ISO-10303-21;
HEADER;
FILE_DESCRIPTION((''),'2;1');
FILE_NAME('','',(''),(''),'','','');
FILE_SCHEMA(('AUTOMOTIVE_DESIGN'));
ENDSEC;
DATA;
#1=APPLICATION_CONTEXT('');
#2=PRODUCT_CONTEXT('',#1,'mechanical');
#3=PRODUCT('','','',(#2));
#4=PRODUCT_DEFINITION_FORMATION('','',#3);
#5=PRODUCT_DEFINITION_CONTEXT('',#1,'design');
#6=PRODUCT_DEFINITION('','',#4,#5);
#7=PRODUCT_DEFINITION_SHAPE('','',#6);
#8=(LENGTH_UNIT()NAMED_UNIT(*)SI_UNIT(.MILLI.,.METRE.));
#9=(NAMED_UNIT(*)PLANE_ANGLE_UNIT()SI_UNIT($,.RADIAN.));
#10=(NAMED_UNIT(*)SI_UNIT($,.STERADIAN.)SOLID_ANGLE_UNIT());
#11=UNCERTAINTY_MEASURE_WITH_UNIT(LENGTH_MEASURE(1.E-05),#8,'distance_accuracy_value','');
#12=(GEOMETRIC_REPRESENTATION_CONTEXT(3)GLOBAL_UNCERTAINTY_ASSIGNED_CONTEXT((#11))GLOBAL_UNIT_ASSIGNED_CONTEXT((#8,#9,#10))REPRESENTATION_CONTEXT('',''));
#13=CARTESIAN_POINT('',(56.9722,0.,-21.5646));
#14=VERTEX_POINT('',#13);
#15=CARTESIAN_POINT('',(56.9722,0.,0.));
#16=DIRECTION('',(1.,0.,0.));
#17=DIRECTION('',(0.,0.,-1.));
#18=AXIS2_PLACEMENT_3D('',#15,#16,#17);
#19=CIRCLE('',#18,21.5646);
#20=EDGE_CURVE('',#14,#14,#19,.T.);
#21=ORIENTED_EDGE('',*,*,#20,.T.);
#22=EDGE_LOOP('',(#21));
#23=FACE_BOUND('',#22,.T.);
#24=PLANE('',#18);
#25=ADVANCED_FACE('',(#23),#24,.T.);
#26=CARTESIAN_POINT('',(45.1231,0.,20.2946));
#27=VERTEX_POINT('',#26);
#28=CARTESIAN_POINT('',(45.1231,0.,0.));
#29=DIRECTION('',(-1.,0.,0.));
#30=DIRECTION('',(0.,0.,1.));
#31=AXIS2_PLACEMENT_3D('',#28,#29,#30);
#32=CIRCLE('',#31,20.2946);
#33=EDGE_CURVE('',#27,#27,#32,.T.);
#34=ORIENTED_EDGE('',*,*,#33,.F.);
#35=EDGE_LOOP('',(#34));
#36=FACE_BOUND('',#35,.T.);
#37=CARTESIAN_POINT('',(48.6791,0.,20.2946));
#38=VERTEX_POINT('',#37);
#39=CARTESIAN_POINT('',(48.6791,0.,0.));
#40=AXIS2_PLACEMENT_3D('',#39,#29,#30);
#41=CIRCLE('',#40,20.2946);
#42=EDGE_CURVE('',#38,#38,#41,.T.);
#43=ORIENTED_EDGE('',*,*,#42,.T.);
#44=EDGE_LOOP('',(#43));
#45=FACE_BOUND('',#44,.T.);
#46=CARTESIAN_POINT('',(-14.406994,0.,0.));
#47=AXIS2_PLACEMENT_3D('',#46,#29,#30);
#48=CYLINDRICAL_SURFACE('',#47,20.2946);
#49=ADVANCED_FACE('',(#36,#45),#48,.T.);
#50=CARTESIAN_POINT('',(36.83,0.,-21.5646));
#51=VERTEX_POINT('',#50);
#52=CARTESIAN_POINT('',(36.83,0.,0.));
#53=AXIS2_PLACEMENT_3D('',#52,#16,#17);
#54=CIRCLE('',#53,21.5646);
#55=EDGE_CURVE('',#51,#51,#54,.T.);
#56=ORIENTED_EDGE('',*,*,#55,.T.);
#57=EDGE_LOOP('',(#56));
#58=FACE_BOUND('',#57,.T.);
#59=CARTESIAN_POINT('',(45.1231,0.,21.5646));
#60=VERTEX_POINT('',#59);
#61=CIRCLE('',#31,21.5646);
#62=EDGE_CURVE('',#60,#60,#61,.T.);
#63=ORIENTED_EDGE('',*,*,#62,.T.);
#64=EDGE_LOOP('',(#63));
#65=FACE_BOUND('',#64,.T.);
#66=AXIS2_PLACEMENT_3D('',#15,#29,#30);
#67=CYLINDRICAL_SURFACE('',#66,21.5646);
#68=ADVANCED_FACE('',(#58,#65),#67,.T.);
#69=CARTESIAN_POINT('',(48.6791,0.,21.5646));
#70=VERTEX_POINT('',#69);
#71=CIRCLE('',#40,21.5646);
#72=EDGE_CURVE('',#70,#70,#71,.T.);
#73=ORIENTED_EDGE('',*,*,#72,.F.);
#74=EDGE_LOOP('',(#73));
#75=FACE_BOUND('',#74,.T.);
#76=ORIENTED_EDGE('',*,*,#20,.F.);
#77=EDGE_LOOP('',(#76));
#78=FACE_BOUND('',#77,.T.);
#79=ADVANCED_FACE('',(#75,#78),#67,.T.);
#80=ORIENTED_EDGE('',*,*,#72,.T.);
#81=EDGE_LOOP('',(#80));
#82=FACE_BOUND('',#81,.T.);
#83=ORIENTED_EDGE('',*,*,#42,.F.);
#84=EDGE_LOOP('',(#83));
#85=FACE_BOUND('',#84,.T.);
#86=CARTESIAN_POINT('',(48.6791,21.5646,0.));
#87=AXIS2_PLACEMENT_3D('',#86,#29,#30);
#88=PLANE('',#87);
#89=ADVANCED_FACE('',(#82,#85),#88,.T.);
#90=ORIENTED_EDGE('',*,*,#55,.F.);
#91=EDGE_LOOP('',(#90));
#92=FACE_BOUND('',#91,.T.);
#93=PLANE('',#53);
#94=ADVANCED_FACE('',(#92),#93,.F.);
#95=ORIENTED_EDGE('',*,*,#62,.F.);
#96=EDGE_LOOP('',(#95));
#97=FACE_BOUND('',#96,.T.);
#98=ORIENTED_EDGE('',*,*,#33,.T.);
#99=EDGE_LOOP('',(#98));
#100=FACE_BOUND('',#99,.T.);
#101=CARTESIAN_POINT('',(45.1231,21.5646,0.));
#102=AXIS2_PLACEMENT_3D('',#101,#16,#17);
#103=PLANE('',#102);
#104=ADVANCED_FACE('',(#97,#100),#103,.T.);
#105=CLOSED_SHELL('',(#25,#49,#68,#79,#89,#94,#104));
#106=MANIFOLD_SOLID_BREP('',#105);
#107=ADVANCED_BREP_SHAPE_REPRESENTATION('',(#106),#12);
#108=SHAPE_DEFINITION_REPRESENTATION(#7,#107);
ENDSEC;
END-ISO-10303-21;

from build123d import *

# Parameters (mm, degrees)
SKETCH8_R           = 21.5646
BOSS_EXTRUDE1_DEPTH = 20.1422
SKETCH9_W           = 3.556
SKETCH9_H           = 1.27


with BuildPart() as part:
    # Sketch8 → Boss-Extrude1 (new body)
    with BuildSketch(Plane(origin=(36.83, 0, 0), x_dir=(0, 0, -1), z_dir=(1, 0, 0))):
        Circle(SKETCH8_R)
    extrude(amount=BOSS_EXTRUDE1_DEPTH)

    # Sketch9 → O-Ring Groove 2-128ish (revolve, cut)
    with BuildSketch(Plane.XY, mode=Mode.PRIVATE) as o_ring_groove_2_128ish_sk:
        with Locations((46.9011, 20.9296)):
            Rectangle(SKETCH9_W, SKETCH9_H)
    revolve(o_ring_groove_2_128ish_sk.sketch.rotate(Axis((-14.406993702, 0, 0), (1, 0, 0)), 90), axis=Axis((-14.406993702, 0, 0), (1, 0, 0)), mode=Mode.SUBTRACT)


solid = part.part
